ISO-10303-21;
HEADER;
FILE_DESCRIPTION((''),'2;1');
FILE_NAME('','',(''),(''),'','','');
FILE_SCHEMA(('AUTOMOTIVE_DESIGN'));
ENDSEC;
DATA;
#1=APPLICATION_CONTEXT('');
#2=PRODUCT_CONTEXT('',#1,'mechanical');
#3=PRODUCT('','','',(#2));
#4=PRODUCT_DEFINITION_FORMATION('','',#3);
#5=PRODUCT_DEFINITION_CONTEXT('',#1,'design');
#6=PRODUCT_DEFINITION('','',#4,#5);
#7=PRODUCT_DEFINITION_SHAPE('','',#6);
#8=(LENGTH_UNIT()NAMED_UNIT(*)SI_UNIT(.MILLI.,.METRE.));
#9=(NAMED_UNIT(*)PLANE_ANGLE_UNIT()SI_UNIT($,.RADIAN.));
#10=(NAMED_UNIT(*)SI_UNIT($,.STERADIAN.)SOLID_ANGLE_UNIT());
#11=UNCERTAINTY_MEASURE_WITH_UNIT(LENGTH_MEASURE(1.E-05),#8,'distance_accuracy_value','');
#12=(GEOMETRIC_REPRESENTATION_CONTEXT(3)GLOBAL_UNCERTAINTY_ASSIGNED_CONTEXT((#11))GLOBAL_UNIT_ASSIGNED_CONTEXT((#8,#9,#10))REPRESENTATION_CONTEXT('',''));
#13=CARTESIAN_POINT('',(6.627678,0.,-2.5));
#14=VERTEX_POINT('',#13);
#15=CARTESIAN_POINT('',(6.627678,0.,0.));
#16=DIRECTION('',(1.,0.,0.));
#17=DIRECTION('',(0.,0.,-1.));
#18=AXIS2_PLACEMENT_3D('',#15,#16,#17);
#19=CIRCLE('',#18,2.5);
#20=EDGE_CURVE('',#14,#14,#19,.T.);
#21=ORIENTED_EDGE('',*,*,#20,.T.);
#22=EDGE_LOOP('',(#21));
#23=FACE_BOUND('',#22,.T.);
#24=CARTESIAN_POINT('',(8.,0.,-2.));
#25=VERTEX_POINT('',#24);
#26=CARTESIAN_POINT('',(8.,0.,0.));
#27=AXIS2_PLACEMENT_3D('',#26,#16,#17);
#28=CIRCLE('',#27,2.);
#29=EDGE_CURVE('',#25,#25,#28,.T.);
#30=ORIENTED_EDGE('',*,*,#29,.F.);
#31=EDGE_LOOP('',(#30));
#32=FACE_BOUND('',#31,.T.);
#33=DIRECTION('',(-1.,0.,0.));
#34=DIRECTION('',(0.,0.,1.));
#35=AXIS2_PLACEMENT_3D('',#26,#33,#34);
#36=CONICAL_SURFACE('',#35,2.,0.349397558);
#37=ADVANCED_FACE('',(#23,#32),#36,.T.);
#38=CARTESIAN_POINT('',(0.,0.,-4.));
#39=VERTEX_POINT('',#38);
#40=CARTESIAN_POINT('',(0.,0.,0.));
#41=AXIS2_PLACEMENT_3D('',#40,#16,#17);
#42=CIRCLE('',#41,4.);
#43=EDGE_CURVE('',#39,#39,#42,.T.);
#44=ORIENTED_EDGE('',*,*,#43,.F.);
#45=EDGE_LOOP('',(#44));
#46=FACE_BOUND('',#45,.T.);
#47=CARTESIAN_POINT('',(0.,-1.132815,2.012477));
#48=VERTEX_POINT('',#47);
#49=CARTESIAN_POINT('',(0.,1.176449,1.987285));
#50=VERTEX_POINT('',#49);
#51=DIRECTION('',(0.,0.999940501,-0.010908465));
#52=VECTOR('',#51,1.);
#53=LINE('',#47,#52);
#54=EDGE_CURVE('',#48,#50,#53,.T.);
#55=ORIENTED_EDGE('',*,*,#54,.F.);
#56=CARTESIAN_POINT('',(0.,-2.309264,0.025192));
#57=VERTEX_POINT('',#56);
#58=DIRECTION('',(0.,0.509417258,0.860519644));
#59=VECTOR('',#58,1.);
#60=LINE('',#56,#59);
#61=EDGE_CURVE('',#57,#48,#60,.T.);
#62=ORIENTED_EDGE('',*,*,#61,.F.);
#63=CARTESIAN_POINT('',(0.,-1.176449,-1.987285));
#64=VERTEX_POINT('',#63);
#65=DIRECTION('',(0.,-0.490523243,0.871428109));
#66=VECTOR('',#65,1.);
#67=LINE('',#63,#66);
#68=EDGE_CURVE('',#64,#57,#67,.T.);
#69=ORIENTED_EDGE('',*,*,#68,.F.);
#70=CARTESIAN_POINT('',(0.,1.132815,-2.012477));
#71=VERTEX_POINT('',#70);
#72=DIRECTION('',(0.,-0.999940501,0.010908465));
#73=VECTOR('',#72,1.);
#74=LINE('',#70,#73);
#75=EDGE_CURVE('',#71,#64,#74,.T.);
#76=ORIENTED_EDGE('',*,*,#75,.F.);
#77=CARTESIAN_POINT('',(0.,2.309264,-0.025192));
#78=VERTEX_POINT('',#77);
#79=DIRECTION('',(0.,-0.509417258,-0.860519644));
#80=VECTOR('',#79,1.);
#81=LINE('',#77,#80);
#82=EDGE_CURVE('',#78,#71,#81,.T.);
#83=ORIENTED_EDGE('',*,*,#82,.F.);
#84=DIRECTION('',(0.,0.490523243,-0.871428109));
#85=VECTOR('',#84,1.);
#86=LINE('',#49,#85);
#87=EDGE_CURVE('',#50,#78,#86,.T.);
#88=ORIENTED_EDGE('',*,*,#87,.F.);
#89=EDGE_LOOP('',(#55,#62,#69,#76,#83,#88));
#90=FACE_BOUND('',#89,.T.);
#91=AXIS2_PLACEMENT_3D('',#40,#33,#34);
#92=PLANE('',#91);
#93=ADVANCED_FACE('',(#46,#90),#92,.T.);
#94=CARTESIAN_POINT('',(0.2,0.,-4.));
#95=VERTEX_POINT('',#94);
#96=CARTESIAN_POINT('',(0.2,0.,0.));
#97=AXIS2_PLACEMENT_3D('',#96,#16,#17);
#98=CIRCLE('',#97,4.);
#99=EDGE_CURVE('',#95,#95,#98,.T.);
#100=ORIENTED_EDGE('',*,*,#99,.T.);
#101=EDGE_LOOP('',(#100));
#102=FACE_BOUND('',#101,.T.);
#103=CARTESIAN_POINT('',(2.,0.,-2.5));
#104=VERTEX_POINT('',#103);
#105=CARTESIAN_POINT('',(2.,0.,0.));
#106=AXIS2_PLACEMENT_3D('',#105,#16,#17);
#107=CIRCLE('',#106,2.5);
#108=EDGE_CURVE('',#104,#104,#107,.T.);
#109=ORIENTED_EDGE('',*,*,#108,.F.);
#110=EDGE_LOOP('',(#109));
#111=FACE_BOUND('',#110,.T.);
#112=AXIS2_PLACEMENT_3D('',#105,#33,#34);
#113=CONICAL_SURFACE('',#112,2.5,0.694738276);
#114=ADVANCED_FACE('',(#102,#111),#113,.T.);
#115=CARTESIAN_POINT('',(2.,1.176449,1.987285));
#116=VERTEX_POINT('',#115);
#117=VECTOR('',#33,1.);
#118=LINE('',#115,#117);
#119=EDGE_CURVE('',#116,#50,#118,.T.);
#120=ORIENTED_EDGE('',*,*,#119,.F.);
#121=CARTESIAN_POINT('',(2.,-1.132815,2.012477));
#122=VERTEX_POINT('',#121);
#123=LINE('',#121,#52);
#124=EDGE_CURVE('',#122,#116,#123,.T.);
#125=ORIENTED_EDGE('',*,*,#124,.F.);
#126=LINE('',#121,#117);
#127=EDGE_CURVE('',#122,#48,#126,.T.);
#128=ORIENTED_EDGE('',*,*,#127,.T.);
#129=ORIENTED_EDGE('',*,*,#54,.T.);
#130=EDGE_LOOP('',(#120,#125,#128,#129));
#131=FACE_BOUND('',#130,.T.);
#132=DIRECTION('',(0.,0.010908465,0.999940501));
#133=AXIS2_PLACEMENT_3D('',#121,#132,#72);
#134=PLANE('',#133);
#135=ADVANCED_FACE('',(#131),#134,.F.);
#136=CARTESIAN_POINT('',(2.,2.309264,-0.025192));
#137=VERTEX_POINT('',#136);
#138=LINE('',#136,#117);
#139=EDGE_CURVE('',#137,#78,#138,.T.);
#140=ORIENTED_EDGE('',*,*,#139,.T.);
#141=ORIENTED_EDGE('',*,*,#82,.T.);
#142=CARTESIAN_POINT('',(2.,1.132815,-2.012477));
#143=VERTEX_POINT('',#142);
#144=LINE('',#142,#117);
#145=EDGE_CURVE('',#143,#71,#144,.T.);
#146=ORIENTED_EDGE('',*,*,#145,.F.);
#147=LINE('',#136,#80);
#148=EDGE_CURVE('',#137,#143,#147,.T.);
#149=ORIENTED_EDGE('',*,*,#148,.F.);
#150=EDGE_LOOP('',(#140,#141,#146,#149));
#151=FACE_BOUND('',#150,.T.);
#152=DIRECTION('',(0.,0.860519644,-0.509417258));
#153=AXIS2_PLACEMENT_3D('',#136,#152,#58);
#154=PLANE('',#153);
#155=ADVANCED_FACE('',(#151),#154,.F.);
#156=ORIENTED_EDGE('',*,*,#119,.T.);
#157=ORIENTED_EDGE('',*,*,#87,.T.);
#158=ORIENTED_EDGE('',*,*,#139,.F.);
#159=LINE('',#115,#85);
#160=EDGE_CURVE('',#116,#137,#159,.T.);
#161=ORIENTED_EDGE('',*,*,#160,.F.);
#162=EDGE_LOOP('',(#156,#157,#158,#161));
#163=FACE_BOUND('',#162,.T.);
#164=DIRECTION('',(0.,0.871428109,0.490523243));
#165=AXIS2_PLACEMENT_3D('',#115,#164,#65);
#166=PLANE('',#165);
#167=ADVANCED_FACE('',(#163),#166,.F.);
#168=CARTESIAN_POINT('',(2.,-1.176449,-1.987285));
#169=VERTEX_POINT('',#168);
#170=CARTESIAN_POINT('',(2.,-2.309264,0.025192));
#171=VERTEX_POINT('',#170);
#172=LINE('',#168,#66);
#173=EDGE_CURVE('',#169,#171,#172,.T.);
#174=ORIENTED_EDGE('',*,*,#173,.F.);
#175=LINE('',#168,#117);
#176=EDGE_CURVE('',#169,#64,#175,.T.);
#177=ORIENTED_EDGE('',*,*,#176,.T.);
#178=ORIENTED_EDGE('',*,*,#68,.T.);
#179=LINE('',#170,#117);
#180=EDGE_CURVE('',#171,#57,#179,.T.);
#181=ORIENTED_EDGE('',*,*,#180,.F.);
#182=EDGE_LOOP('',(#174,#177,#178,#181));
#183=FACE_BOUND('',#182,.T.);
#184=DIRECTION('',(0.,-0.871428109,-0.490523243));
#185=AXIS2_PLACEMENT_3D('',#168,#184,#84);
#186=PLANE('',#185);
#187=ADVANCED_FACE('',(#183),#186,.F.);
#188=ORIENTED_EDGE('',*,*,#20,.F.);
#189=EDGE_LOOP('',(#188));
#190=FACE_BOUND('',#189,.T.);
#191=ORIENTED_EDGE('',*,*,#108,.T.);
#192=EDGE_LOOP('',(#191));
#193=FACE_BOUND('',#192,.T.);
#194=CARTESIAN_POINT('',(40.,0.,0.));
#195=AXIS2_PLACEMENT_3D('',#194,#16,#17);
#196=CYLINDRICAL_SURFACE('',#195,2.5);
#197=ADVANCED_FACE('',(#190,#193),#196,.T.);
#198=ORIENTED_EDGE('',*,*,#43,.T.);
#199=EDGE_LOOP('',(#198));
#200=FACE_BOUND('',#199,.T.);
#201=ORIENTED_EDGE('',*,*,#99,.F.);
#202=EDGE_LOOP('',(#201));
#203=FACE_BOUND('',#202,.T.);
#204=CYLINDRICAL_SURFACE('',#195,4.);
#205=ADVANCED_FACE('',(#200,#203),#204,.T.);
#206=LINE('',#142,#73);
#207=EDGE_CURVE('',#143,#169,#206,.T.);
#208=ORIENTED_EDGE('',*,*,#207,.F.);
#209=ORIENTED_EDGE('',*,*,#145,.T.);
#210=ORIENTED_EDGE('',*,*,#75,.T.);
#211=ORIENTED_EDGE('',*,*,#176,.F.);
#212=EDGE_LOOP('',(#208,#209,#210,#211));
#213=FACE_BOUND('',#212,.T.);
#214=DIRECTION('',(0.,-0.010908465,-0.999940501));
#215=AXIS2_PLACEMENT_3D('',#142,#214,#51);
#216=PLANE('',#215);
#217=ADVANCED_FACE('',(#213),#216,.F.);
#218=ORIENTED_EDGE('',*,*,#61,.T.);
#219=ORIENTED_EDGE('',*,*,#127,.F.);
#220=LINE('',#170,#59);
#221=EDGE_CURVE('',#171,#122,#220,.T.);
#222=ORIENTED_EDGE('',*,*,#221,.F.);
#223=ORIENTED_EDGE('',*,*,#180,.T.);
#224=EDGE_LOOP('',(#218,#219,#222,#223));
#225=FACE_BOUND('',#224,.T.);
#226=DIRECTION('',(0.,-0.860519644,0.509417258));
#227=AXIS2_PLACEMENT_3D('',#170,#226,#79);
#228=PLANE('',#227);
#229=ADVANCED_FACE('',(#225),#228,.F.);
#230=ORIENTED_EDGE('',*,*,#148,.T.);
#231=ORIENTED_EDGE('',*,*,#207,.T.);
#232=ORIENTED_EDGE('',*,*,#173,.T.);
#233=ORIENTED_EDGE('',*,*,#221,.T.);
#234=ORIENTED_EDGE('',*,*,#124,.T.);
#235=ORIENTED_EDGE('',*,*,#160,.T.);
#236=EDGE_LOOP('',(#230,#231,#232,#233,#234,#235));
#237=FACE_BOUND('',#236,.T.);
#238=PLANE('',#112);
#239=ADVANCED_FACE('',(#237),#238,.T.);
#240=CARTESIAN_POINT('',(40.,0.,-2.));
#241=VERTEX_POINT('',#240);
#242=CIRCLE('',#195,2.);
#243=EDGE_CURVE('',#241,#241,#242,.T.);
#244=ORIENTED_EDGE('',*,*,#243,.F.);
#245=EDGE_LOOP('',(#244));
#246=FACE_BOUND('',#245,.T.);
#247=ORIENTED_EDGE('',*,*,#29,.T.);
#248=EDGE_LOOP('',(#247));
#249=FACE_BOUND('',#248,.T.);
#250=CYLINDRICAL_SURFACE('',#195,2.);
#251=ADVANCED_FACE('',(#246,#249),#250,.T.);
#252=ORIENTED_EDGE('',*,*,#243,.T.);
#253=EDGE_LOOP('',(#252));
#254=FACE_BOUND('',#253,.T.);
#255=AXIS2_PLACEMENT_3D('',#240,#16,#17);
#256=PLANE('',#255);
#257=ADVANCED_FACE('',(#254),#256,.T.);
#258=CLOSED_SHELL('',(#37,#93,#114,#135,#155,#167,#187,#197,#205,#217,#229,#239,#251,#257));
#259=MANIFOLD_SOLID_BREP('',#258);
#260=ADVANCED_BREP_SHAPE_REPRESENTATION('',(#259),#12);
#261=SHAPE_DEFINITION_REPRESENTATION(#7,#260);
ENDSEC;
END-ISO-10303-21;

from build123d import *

# Parameters (mm, degrees)
CUT_EXTRUDE1_DEPTH = 2


with BuildPart() as part:
    # Sketch1 → Revolve1 (revolve)
    with BuildSketch(Plane(origin=(0, 0, 0), x_dir=(1, 0, 0), z_dir=(0, 1, 0))):
        Polygon((0, 0), (0, 4), (0.2, 4), (2, 2.5), (6.627677822, 2.5), (8, 2), (40, 2), (40, 0), align=None)
    revolve(axis=Axis((40, 0, 0), (-1, 0, 0)))

    # Sketch2 → Cut-Extrude1 (cut)
    with BuildSketch(Plane.ZY):
        Polygon((1.987284991, 1.176448765), (-0.025192021, 2.30926367), (-2.012477012, 1.132814905), (-1.987284991, -1.176448765), (0.025192021, -2.30926367), (2.012477012, -1.132814905), align=None)
    extrude(amount=-CUT_EXTRUDE1_DEPTH, mode=Mode.SUBTRACT)


solid = part.part
